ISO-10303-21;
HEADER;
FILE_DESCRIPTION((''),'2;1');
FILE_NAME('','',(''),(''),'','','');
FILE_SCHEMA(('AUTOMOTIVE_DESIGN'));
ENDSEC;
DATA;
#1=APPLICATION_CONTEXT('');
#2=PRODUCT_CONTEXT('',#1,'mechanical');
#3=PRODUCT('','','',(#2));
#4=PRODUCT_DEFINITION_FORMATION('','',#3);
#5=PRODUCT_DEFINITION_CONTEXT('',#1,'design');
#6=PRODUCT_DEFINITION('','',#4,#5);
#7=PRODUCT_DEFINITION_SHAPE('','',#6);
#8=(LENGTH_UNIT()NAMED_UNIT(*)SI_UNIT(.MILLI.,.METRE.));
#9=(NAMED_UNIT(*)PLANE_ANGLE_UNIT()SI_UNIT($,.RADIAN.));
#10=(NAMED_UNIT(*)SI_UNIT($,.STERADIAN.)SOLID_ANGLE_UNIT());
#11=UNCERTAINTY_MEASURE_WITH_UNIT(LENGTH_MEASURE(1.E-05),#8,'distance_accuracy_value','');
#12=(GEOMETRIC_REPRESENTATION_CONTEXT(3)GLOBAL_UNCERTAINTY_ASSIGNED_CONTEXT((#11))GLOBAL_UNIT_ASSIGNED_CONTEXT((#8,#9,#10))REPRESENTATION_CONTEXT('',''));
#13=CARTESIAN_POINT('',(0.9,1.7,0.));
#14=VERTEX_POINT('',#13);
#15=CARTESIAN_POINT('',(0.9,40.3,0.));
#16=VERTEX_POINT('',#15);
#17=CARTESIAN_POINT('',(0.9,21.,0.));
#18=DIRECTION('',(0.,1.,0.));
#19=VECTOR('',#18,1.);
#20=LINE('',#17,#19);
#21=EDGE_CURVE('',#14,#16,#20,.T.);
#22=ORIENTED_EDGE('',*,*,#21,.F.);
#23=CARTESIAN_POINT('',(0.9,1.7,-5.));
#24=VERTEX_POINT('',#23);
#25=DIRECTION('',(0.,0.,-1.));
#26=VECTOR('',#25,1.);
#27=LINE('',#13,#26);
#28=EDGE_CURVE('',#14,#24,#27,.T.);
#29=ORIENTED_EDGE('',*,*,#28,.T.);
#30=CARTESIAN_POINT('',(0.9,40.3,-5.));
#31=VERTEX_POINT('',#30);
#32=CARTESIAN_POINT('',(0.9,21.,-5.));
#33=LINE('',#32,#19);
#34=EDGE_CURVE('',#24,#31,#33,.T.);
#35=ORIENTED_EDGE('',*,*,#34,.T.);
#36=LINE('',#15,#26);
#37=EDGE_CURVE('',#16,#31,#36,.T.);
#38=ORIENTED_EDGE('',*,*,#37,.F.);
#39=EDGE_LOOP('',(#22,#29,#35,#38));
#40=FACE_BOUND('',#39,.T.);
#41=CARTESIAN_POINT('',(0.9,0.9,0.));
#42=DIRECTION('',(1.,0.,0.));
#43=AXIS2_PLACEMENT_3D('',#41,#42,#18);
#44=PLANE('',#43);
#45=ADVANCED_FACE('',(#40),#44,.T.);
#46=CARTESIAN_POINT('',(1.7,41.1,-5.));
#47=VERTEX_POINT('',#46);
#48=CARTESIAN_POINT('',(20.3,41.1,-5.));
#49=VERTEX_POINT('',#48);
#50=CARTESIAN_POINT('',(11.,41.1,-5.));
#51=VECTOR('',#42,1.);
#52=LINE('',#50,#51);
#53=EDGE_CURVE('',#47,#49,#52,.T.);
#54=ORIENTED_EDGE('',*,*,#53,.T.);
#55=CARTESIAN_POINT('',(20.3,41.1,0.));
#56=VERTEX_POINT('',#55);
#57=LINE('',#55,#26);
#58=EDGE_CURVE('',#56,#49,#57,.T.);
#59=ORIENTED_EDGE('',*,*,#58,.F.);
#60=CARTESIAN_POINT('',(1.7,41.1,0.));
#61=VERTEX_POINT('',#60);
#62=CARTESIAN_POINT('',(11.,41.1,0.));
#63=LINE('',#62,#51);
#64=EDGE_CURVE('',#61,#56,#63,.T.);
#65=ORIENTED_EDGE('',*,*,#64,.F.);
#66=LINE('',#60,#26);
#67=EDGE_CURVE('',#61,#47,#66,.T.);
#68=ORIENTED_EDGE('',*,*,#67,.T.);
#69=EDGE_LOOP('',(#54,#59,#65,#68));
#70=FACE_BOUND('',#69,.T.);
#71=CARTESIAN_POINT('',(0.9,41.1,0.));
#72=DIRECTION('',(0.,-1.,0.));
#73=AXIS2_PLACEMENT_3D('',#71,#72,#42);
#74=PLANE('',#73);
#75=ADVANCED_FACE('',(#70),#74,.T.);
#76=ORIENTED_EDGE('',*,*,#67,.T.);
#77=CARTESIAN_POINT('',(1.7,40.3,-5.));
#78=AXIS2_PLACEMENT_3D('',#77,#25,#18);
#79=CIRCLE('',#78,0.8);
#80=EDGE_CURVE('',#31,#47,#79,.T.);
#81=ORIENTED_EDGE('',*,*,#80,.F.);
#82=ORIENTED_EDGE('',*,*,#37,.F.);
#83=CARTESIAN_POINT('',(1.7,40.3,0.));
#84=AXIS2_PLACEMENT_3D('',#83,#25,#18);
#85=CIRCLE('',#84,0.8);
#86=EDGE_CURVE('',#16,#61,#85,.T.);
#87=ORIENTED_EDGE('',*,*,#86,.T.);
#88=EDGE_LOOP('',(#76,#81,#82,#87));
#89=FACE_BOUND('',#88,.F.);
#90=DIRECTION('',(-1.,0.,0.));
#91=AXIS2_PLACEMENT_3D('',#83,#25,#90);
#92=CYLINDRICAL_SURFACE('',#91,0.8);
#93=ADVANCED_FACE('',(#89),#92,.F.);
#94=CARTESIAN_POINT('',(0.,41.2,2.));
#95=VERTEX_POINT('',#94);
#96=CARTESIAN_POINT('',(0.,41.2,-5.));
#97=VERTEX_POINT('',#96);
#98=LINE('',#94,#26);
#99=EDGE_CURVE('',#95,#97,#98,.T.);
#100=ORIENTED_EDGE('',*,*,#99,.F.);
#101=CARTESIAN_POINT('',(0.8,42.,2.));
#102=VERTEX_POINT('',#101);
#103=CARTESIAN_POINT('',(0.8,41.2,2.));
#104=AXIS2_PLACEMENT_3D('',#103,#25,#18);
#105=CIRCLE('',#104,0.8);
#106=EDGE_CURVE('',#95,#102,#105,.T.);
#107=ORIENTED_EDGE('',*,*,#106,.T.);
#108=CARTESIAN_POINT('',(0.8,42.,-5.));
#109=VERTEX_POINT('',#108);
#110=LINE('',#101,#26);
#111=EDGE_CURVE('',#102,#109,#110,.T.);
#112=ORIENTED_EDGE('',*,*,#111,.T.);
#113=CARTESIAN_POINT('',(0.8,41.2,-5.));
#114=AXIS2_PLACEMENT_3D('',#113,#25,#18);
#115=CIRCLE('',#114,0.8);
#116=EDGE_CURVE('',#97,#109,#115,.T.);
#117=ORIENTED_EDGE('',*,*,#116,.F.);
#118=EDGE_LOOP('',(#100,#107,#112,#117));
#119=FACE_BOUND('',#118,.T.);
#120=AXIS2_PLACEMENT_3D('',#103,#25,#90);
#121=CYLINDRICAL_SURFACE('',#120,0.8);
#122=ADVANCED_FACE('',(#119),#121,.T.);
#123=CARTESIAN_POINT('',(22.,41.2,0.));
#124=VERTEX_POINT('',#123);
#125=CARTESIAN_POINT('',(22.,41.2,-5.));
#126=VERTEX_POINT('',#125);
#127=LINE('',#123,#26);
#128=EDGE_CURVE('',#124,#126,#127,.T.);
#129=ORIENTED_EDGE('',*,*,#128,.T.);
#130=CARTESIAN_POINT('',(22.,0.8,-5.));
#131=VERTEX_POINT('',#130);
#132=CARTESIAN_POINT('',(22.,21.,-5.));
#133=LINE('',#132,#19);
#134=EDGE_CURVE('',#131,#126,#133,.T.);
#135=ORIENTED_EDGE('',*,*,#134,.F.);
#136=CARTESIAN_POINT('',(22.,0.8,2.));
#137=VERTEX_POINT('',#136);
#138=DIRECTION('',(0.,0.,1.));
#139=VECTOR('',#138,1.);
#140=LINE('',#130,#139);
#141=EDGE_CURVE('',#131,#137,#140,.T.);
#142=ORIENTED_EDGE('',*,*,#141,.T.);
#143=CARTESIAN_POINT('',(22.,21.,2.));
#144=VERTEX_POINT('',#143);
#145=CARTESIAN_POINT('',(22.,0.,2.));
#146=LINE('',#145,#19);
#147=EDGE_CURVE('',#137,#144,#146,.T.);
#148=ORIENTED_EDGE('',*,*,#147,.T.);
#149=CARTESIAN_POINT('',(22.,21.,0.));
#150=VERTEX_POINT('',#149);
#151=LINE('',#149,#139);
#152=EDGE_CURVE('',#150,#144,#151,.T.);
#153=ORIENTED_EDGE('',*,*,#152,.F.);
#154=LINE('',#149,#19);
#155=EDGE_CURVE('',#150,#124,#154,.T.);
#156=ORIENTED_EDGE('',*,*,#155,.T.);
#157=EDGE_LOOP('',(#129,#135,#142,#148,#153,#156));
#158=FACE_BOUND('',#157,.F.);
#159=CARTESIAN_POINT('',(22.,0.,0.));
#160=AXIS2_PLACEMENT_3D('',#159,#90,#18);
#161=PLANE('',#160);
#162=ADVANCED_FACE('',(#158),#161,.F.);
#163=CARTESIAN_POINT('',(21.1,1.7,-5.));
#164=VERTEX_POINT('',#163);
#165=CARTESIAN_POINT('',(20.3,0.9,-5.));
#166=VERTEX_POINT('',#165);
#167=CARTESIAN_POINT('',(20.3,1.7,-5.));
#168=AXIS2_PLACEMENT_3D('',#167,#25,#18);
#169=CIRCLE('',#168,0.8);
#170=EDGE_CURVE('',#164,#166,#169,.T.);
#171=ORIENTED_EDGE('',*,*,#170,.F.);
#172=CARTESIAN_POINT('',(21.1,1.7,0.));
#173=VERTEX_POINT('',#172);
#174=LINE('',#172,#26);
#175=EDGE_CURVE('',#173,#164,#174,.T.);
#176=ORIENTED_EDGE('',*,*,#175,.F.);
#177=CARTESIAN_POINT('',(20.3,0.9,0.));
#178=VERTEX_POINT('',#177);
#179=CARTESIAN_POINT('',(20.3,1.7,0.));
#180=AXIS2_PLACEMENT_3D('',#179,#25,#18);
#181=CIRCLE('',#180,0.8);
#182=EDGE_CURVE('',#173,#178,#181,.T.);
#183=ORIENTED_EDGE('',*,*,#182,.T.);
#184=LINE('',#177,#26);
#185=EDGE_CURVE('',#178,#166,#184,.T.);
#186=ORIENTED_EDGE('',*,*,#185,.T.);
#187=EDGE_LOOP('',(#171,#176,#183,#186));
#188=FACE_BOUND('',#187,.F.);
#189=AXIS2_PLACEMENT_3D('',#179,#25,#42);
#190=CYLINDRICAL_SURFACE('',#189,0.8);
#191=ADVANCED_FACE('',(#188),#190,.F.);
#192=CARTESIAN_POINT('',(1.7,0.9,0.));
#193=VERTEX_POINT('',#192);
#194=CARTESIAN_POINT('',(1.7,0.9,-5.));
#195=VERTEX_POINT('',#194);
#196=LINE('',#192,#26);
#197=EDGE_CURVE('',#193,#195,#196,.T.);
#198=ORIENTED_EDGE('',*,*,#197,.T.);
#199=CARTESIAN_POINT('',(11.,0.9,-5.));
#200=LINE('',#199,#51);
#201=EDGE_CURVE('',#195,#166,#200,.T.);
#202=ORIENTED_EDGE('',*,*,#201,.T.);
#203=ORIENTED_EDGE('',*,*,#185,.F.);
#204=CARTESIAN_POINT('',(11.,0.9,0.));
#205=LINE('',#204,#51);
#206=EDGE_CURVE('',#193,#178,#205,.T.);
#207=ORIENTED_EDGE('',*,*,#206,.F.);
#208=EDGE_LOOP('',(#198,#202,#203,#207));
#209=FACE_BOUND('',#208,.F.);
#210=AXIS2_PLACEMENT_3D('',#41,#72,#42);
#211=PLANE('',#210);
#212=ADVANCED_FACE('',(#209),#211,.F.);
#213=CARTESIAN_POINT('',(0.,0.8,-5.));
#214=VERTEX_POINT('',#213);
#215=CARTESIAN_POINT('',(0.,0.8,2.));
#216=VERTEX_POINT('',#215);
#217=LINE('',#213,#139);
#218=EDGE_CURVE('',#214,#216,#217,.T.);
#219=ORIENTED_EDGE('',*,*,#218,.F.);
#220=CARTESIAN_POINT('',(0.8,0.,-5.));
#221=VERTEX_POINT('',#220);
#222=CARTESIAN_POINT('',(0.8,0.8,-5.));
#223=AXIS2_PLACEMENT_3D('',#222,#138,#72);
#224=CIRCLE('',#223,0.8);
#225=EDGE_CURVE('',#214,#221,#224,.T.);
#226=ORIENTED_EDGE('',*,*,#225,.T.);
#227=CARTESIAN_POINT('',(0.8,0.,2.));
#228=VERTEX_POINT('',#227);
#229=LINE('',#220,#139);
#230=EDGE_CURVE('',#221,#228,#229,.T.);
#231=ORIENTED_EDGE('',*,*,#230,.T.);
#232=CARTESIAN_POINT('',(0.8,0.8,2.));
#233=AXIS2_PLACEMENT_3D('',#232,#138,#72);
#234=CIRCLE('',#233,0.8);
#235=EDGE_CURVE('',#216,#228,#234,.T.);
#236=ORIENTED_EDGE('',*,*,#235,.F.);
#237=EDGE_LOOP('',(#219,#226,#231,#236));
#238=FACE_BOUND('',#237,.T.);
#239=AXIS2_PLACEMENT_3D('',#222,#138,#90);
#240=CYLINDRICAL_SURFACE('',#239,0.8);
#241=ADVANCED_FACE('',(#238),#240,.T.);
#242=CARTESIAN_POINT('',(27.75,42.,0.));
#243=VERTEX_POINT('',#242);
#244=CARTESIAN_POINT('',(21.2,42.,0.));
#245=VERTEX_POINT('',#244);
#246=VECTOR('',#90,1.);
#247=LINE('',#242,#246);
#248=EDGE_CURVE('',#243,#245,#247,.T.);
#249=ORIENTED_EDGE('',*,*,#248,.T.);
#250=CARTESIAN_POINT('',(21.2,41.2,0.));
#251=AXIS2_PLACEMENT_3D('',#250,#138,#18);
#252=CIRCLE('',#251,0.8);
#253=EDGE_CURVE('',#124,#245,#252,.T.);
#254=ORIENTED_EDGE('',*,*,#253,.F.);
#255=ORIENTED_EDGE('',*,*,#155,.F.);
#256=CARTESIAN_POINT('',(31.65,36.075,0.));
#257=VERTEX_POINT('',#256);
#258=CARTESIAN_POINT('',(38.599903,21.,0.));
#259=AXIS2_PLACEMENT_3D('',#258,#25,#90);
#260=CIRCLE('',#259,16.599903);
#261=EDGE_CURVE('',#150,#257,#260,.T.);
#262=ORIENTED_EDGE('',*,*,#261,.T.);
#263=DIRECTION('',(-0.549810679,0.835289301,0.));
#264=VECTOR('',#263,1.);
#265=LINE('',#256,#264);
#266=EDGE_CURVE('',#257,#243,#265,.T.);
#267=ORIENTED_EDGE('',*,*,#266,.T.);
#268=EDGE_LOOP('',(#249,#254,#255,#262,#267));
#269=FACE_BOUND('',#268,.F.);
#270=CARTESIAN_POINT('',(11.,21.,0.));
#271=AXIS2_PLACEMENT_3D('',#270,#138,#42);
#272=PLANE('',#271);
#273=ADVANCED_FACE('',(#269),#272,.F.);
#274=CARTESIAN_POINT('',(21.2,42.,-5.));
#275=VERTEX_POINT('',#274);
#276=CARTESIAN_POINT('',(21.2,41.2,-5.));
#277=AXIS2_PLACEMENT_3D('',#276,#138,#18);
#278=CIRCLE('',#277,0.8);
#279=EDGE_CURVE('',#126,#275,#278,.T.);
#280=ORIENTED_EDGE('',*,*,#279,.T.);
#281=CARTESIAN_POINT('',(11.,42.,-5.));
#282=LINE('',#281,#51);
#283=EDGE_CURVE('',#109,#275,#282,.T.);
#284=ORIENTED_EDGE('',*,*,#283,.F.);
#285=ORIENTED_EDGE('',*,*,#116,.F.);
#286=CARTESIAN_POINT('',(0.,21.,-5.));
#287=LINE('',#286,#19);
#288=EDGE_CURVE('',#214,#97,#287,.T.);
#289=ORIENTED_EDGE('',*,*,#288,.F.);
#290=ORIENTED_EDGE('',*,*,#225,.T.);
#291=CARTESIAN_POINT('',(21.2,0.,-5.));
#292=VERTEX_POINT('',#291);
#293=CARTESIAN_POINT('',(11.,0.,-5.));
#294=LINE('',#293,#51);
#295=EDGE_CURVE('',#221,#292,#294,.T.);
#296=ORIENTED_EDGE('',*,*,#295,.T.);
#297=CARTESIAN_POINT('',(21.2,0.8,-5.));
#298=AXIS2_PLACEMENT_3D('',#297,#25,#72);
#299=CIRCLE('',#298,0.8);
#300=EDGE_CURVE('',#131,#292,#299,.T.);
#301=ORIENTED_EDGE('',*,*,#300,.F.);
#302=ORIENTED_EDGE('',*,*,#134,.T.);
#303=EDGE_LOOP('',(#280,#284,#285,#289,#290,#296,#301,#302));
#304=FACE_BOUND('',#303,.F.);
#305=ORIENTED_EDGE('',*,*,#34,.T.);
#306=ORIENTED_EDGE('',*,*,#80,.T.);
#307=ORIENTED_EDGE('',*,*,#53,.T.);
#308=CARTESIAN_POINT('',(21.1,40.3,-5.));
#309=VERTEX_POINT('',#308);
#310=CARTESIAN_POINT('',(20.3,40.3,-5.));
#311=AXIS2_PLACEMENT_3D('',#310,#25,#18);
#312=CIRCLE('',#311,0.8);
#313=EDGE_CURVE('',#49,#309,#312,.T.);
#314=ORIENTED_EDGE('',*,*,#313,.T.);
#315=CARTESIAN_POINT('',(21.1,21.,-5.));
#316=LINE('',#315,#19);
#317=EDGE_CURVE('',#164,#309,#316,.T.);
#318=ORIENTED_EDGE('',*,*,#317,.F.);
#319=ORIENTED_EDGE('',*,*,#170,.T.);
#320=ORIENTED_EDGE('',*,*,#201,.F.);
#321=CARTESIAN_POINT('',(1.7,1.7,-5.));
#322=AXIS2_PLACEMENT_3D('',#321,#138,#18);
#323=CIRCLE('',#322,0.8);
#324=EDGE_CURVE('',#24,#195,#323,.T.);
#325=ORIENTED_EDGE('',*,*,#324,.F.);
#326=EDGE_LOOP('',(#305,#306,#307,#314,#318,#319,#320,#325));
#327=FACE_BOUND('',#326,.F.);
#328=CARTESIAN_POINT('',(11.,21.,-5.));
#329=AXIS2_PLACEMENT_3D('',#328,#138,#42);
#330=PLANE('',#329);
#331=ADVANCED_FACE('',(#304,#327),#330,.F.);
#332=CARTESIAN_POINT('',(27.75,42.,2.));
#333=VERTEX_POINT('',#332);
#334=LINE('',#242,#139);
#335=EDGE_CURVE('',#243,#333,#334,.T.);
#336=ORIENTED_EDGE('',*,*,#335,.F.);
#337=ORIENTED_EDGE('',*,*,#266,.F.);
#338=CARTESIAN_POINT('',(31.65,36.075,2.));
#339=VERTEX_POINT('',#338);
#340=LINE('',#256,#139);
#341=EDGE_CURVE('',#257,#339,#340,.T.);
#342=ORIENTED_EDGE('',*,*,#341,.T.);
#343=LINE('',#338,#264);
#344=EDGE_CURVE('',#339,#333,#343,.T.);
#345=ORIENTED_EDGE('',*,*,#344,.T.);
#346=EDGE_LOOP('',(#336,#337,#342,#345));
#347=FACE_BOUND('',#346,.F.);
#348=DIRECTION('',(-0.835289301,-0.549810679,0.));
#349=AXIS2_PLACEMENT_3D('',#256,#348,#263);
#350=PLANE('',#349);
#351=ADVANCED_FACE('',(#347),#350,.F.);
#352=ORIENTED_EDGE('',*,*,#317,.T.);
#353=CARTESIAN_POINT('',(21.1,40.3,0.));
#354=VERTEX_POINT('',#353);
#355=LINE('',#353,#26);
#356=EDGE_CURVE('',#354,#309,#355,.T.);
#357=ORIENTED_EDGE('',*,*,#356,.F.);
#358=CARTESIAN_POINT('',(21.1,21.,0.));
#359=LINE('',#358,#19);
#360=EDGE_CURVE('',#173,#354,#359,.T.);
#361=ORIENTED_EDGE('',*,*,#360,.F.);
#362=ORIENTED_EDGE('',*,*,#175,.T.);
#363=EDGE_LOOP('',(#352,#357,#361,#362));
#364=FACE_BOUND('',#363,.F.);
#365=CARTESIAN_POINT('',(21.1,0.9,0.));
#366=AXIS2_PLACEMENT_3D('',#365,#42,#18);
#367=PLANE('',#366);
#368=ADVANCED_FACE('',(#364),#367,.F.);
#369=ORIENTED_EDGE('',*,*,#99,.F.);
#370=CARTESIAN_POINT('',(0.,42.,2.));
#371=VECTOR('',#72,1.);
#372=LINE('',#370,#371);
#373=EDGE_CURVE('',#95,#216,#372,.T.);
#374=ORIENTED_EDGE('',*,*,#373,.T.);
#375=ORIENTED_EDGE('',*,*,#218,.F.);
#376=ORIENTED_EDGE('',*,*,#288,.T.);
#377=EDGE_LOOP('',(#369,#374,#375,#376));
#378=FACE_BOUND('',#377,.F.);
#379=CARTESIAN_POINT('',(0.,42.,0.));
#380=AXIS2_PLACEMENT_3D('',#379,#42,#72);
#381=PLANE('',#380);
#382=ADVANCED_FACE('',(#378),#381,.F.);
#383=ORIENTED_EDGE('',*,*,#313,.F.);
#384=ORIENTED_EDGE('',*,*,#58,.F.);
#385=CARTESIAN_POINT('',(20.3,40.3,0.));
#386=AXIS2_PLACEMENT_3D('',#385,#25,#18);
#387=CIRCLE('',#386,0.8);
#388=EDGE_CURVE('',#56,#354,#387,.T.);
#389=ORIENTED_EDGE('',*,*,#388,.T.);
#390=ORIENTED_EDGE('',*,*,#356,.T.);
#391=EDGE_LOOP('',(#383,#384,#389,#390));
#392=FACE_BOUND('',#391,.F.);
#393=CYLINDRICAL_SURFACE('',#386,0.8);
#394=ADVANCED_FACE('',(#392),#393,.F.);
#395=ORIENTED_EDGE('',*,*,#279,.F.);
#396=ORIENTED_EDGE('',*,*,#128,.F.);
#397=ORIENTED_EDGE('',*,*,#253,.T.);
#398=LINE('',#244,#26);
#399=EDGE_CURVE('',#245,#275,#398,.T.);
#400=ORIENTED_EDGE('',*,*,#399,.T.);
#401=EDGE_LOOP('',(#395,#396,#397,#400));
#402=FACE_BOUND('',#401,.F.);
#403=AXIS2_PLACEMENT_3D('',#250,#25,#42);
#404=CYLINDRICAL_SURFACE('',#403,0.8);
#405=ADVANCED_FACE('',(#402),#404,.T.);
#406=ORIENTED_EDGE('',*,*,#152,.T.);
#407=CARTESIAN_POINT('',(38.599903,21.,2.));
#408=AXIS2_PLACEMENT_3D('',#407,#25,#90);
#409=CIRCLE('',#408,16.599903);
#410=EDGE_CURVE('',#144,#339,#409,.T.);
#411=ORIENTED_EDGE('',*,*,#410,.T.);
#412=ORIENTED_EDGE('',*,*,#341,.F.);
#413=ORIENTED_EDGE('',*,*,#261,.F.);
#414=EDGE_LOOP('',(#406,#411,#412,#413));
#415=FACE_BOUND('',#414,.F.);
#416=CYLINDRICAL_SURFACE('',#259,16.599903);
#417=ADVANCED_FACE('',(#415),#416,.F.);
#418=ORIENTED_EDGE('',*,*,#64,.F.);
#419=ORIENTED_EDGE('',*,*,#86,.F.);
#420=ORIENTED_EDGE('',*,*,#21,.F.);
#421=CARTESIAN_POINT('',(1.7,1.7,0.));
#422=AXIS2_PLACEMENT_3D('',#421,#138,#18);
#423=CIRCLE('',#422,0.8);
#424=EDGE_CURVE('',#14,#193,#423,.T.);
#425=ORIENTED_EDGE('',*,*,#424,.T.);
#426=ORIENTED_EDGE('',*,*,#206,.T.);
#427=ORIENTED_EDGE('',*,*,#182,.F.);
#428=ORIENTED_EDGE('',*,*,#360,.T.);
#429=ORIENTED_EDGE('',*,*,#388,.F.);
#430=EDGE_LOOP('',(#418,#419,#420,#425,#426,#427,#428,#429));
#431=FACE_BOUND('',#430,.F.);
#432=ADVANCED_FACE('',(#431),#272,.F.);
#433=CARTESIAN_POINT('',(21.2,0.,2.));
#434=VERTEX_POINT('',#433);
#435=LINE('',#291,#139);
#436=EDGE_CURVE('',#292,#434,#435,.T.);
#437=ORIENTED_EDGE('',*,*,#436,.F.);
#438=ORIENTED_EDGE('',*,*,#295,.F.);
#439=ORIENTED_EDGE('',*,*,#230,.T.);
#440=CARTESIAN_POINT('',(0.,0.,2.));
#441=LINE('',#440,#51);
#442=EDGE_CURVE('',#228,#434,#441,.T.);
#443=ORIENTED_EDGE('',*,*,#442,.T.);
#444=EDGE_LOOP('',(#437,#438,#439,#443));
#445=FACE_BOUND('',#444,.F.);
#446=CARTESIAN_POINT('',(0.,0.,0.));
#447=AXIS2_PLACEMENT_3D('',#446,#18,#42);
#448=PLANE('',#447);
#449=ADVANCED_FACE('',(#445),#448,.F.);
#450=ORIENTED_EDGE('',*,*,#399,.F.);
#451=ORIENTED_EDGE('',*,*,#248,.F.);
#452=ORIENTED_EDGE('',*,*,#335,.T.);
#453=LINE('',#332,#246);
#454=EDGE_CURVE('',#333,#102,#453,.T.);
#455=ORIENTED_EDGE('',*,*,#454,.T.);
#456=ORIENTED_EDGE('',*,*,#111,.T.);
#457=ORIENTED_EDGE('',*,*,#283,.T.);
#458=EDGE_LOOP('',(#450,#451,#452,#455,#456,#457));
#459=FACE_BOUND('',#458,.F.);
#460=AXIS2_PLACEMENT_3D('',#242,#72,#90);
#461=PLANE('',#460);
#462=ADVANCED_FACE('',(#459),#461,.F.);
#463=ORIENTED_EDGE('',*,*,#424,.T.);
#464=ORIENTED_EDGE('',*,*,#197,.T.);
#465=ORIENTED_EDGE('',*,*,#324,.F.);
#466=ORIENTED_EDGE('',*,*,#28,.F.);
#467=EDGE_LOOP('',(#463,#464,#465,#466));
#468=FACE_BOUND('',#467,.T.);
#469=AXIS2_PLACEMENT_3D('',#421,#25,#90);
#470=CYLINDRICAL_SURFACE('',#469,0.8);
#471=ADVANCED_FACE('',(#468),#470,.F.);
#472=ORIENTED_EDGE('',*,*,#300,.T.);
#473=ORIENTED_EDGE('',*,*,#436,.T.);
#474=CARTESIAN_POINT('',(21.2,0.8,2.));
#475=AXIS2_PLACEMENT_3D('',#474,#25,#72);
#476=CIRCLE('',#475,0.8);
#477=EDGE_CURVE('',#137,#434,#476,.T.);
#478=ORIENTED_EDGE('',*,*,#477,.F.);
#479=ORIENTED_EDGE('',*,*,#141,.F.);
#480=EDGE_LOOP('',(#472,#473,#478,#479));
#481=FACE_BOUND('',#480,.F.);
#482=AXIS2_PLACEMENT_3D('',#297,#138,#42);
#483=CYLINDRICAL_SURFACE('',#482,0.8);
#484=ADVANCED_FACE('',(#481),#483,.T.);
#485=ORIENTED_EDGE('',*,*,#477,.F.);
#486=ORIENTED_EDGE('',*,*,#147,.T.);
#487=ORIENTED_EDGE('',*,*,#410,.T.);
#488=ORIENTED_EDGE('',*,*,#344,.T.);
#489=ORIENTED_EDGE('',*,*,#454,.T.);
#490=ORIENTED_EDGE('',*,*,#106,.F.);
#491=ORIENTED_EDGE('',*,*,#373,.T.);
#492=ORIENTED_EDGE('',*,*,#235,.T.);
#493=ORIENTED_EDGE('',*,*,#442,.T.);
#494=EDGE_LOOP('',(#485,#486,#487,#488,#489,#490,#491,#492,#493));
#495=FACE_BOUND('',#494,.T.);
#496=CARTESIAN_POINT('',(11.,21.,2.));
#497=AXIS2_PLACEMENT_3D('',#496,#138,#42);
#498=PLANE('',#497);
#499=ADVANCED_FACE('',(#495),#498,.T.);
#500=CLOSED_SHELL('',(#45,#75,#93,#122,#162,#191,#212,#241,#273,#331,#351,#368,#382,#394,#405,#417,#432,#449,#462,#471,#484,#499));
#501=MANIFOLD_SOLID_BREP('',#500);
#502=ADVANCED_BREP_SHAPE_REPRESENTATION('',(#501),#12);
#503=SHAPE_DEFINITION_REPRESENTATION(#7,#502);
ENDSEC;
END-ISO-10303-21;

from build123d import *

# Parameters (mm, degrees)
F0_W     = 22
F0_H     = 42
F0_W_2   = 20.2
F0_H_2   = 40.2
F1_DEPTH = 5
F2_W     = 20.2
F2_H     = 40.2
F3_DEPTH = 2
F4_R     = 0.8


with BuildPart() as f1:
    # F0 (on Top) → F1 (new body)
    with BuildSketch(Plane.XY):
        with Locations((11, 21)):
            Rectangle(F0_W, F0_H)
        with Locations((11, 21)):
            Rectangle(F0_W_2, F0_H_2, mode=Mode.SUBTRACT)
    extrude(amount=-F1_DEPTH)

    # F2 (on face) → F3 (join)
    with BuildSketch(Plane.XY):
        Polygon((0, 42), (0, 0), (22, 0), (22, 21), (22, 42), align=None)
        with Locations((11, 21)):
            Rectangle(F2_W, F2_H, mode=Mode.SUBTRACT)
        with Locations((11, 21)):
            Rectangle(F2_W, F2_H)
        with BuildLine():
            Line((22, 42), (22, 21))
            ThreePointArc((22, 21), (24.6191216351, 29.9495548074), (31.65, 36.075))
            Line((31.65, 36.075), (27.75, 42))
            Line((27.75, 42), (22, 42))
        make_face()
    extrude(amount=F3_DEPTH)

    # F4
    f4_edges = [f1.edges().sort_by_distance(p)[0] for p in [
        (22, 0, -1.5),
        (0, 0, -1.5),
        (0, 42, -1.5),
        (22, 42, -2.5),
        (21.1, 0.9, -2.5),
        (21.1, 41.1, -2.5),
        (0.9, 0.9, -2.5),
        (0.9, 41.1, -2.5),
    ]]
    fillet(f4_edges, radius=F4_R)


solid = f1.part
